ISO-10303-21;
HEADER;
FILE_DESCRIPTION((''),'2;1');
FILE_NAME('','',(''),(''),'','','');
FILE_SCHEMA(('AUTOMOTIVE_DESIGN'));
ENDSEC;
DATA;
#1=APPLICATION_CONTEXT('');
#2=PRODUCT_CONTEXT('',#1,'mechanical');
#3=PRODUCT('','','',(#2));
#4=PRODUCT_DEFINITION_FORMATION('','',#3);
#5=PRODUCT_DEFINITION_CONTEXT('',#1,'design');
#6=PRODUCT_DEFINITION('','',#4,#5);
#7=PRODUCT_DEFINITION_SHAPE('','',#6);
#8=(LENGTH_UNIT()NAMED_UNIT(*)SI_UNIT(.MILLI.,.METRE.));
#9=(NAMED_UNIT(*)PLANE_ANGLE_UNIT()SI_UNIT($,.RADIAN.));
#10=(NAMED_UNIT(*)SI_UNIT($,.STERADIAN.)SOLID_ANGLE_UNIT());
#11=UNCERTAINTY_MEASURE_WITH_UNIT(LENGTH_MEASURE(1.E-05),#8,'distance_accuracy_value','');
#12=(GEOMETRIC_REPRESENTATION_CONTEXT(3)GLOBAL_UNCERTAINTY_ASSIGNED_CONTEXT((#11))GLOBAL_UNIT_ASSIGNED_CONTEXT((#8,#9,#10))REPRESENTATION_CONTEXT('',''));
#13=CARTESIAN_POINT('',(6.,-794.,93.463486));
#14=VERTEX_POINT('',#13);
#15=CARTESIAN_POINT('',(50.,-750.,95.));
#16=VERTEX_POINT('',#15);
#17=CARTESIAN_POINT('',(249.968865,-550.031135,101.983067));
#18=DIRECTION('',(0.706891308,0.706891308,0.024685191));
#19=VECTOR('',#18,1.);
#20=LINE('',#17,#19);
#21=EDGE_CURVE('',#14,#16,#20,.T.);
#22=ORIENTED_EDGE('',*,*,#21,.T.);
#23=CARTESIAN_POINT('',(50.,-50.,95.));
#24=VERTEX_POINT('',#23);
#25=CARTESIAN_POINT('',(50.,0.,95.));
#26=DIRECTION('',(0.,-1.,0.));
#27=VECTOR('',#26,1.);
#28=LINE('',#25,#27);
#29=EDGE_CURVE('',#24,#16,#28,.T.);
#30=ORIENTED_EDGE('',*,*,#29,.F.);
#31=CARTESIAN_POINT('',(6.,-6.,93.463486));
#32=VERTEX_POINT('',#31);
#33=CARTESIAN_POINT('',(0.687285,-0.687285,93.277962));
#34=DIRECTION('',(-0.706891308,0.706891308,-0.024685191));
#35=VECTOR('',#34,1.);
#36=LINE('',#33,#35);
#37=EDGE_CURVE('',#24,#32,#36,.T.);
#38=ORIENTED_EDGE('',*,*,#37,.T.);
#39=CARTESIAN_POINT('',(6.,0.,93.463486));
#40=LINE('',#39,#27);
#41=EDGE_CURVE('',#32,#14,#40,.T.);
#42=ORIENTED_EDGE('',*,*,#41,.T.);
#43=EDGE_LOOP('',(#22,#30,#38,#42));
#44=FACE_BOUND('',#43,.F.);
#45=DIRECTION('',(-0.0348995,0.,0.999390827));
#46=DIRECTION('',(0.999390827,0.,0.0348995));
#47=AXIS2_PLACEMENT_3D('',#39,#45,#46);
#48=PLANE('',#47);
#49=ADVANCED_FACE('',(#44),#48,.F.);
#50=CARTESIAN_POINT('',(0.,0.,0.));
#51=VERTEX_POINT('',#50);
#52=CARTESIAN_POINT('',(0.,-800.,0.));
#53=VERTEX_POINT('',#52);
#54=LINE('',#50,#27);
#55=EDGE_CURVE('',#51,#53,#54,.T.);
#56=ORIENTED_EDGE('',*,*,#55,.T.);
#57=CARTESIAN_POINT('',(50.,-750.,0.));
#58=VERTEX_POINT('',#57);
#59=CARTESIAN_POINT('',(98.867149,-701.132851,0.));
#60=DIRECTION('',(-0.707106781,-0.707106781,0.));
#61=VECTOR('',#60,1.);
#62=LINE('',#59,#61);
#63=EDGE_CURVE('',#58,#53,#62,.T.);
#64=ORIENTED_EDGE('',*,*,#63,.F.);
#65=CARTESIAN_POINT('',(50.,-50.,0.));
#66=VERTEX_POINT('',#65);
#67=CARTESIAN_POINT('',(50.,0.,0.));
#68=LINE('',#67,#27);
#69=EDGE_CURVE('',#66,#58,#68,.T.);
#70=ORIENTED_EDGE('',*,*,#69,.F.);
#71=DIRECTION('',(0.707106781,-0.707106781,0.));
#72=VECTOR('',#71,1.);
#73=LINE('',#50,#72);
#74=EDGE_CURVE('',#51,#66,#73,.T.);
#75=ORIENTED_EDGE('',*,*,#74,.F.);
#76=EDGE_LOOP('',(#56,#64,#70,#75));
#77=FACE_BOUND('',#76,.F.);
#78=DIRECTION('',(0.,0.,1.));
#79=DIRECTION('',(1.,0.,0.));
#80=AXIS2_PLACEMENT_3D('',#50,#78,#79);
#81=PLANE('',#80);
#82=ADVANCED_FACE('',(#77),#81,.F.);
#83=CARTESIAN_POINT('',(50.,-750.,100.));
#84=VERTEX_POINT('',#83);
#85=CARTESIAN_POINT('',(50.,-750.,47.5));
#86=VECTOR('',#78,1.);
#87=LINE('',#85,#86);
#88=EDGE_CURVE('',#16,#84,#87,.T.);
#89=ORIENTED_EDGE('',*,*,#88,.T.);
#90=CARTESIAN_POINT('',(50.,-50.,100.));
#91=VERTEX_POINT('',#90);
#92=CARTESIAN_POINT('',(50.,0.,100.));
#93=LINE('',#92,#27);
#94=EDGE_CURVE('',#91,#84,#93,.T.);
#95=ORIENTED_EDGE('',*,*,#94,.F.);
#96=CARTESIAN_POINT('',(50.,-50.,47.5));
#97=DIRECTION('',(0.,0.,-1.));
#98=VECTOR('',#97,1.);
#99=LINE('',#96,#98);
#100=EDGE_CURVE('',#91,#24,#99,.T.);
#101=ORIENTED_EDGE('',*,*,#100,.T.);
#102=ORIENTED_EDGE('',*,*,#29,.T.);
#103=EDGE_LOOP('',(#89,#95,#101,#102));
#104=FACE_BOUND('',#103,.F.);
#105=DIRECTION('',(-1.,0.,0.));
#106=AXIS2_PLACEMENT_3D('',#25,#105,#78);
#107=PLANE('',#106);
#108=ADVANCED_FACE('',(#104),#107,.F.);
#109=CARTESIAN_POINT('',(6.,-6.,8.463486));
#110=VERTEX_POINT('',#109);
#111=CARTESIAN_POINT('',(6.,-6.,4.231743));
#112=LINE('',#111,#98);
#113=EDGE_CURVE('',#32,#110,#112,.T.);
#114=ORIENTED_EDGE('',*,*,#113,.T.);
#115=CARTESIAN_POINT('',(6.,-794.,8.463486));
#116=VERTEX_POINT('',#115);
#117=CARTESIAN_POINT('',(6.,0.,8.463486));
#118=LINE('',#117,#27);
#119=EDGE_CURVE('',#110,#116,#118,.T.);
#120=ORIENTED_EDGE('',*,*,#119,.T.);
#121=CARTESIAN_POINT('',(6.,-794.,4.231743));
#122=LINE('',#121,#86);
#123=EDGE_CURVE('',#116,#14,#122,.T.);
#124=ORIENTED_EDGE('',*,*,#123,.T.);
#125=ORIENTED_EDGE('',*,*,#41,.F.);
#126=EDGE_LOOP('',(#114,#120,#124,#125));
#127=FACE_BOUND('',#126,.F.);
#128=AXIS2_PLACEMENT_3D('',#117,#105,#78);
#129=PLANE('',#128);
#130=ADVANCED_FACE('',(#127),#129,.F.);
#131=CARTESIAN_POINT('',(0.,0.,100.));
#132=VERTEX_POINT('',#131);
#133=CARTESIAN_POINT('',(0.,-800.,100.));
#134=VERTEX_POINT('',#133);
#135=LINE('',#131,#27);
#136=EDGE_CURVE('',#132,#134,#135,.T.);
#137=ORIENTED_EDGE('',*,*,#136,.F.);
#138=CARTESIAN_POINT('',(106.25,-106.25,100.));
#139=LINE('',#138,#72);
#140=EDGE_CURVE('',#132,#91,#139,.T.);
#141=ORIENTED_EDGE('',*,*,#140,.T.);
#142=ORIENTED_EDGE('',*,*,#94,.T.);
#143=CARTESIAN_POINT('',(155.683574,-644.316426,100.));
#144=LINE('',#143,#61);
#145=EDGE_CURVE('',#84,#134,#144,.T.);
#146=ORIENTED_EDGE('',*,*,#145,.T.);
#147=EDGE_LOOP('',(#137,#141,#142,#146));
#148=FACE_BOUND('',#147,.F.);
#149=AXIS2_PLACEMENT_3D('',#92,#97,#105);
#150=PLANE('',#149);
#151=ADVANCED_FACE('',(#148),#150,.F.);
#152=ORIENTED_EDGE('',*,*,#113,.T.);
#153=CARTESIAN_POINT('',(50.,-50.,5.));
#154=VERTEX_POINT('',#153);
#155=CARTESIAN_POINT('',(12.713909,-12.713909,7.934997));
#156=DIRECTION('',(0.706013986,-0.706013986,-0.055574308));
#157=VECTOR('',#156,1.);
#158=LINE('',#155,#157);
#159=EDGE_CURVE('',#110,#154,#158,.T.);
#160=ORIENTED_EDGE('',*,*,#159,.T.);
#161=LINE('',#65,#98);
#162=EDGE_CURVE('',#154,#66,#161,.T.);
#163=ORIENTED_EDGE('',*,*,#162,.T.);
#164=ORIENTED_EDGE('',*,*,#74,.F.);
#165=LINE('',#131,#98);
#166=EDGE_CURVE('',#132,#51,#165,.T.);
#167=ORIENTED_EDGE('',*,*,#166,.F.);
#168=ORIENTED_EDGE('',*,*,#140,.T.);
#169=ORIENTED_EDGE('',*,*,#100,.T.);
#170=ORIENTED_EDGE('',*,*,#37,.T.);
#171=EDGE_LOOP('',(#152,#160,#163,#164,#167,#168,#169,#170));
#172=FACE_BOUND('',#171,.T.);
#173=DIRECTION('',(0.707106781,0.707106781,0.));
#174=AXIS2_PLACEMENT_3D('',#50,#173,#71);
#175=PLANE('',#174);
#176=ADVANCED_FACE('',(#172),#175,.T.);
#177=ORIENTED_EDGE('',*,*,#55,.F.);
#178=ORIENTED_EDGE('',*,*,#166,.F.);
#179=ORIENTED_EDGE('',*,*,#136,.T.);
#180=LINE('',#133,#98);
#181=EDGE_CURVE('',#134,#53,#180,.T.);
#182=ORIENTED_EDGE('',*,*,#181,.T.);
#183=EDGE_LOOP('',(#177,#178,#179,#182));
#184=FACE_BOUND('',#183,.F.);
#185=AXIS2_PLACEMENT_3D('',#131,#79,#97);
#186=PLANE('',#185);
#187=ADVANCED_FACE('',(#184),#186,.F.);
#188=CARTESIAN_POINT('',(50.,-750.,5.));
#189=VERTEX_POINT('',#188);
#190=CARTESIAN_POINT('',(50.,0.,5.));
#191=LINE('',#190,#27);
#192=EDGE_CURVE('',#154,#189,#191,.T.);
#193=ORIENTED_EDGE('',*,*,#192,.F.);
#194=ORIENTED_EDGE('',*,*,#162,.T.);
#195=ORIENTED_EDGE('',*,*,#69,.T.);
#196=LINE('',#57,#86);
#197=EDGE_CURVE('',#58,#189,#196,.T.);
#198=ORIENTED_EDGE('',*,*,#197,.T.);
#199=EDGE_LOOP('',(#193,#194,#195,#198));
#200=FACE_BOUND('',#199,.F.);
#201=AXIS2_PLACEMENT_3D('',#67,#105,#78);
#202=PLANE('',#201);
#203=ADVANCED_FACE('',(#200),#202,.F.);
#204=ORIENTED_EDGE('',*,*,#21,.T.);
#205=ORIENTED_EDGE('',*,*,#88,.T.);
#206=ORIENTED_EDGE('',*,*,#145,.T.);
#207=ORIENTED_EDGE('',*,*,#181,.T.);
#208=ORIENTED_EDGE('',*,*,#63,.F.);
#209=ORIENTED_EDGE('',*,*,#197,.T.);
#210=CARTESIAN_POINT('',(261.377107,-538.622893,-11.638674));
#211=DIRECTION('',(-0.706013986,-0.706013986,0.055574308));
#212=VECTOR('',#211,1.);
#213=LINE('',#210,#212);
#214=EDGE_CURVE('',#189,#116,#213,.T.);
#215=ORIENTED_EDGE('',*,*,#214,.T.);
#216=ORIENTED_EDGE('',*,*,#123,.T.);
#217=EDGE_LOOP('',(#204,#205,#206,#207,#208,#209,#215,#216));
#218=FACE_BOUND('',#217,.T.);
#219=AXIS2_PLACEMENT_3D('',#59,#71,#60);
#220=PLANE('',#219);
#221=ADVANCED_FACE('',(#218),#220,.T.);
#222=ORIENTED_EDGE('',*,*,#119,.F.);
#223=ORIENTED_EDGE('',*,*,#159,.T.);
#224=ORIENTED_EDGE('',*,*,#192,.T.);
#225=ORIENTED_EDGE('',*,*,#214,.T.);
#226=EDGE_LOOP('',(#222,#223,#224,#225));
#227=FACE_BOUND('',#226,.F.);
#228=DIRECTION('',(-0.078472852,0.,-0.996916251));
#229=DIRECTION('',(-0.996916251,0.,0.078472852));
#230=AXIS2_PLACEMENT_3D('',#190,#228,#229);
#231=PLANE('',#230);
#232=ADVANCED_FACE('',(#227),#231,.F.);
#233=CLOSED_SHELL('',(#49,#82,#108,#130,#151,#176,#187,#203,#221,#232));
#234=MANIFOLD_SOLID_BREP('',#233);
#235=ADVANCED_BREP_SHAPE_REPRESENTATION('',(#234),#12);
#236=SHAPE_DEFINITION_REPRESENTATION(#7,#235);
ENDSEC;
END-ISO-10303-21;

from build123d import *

# Parameters (mm, degrees)
F1_DEPTH  = 800
F1_FACE_W = 50
F1_FACE_H = 800
F3_DEPTH  = 110


with BuildPart() as f1:
    # F0 (on Front) → F1 (new body)
    with BuildSketch(Plane.XZ):
        Polygon((0, 100), (0, 0), (50, 0), (50, 5), (6, 8.463486), (6, 93.463486), (50, 95), (50, 100), align=None)
    extrude(amount=F1_DEPTH)

    # F2 (on Top) + F1_face (on face) → F3 (cut)
    with BuildSketch(Plane.XY):
        Polygon((87.158154, 52.255962), (0, 52.255962), (0, 0), (87.158154, -87.158154), align=None)
        Polygon((0, -800), (0, -810), (98.867149, -810), (98.867149, -701.132851), align=None)
    with BuildSketch(Plane(origin=(25, -400, 100), x_dir=(1, 0, 0), z_dir=(0, 0, 1))):
        Rectangle(F1_FACE_W, F1_FACE_H)
    extrude(amount=F3_DEPTH, mode=Mode.SUBTRACT)


solid = f1.part
